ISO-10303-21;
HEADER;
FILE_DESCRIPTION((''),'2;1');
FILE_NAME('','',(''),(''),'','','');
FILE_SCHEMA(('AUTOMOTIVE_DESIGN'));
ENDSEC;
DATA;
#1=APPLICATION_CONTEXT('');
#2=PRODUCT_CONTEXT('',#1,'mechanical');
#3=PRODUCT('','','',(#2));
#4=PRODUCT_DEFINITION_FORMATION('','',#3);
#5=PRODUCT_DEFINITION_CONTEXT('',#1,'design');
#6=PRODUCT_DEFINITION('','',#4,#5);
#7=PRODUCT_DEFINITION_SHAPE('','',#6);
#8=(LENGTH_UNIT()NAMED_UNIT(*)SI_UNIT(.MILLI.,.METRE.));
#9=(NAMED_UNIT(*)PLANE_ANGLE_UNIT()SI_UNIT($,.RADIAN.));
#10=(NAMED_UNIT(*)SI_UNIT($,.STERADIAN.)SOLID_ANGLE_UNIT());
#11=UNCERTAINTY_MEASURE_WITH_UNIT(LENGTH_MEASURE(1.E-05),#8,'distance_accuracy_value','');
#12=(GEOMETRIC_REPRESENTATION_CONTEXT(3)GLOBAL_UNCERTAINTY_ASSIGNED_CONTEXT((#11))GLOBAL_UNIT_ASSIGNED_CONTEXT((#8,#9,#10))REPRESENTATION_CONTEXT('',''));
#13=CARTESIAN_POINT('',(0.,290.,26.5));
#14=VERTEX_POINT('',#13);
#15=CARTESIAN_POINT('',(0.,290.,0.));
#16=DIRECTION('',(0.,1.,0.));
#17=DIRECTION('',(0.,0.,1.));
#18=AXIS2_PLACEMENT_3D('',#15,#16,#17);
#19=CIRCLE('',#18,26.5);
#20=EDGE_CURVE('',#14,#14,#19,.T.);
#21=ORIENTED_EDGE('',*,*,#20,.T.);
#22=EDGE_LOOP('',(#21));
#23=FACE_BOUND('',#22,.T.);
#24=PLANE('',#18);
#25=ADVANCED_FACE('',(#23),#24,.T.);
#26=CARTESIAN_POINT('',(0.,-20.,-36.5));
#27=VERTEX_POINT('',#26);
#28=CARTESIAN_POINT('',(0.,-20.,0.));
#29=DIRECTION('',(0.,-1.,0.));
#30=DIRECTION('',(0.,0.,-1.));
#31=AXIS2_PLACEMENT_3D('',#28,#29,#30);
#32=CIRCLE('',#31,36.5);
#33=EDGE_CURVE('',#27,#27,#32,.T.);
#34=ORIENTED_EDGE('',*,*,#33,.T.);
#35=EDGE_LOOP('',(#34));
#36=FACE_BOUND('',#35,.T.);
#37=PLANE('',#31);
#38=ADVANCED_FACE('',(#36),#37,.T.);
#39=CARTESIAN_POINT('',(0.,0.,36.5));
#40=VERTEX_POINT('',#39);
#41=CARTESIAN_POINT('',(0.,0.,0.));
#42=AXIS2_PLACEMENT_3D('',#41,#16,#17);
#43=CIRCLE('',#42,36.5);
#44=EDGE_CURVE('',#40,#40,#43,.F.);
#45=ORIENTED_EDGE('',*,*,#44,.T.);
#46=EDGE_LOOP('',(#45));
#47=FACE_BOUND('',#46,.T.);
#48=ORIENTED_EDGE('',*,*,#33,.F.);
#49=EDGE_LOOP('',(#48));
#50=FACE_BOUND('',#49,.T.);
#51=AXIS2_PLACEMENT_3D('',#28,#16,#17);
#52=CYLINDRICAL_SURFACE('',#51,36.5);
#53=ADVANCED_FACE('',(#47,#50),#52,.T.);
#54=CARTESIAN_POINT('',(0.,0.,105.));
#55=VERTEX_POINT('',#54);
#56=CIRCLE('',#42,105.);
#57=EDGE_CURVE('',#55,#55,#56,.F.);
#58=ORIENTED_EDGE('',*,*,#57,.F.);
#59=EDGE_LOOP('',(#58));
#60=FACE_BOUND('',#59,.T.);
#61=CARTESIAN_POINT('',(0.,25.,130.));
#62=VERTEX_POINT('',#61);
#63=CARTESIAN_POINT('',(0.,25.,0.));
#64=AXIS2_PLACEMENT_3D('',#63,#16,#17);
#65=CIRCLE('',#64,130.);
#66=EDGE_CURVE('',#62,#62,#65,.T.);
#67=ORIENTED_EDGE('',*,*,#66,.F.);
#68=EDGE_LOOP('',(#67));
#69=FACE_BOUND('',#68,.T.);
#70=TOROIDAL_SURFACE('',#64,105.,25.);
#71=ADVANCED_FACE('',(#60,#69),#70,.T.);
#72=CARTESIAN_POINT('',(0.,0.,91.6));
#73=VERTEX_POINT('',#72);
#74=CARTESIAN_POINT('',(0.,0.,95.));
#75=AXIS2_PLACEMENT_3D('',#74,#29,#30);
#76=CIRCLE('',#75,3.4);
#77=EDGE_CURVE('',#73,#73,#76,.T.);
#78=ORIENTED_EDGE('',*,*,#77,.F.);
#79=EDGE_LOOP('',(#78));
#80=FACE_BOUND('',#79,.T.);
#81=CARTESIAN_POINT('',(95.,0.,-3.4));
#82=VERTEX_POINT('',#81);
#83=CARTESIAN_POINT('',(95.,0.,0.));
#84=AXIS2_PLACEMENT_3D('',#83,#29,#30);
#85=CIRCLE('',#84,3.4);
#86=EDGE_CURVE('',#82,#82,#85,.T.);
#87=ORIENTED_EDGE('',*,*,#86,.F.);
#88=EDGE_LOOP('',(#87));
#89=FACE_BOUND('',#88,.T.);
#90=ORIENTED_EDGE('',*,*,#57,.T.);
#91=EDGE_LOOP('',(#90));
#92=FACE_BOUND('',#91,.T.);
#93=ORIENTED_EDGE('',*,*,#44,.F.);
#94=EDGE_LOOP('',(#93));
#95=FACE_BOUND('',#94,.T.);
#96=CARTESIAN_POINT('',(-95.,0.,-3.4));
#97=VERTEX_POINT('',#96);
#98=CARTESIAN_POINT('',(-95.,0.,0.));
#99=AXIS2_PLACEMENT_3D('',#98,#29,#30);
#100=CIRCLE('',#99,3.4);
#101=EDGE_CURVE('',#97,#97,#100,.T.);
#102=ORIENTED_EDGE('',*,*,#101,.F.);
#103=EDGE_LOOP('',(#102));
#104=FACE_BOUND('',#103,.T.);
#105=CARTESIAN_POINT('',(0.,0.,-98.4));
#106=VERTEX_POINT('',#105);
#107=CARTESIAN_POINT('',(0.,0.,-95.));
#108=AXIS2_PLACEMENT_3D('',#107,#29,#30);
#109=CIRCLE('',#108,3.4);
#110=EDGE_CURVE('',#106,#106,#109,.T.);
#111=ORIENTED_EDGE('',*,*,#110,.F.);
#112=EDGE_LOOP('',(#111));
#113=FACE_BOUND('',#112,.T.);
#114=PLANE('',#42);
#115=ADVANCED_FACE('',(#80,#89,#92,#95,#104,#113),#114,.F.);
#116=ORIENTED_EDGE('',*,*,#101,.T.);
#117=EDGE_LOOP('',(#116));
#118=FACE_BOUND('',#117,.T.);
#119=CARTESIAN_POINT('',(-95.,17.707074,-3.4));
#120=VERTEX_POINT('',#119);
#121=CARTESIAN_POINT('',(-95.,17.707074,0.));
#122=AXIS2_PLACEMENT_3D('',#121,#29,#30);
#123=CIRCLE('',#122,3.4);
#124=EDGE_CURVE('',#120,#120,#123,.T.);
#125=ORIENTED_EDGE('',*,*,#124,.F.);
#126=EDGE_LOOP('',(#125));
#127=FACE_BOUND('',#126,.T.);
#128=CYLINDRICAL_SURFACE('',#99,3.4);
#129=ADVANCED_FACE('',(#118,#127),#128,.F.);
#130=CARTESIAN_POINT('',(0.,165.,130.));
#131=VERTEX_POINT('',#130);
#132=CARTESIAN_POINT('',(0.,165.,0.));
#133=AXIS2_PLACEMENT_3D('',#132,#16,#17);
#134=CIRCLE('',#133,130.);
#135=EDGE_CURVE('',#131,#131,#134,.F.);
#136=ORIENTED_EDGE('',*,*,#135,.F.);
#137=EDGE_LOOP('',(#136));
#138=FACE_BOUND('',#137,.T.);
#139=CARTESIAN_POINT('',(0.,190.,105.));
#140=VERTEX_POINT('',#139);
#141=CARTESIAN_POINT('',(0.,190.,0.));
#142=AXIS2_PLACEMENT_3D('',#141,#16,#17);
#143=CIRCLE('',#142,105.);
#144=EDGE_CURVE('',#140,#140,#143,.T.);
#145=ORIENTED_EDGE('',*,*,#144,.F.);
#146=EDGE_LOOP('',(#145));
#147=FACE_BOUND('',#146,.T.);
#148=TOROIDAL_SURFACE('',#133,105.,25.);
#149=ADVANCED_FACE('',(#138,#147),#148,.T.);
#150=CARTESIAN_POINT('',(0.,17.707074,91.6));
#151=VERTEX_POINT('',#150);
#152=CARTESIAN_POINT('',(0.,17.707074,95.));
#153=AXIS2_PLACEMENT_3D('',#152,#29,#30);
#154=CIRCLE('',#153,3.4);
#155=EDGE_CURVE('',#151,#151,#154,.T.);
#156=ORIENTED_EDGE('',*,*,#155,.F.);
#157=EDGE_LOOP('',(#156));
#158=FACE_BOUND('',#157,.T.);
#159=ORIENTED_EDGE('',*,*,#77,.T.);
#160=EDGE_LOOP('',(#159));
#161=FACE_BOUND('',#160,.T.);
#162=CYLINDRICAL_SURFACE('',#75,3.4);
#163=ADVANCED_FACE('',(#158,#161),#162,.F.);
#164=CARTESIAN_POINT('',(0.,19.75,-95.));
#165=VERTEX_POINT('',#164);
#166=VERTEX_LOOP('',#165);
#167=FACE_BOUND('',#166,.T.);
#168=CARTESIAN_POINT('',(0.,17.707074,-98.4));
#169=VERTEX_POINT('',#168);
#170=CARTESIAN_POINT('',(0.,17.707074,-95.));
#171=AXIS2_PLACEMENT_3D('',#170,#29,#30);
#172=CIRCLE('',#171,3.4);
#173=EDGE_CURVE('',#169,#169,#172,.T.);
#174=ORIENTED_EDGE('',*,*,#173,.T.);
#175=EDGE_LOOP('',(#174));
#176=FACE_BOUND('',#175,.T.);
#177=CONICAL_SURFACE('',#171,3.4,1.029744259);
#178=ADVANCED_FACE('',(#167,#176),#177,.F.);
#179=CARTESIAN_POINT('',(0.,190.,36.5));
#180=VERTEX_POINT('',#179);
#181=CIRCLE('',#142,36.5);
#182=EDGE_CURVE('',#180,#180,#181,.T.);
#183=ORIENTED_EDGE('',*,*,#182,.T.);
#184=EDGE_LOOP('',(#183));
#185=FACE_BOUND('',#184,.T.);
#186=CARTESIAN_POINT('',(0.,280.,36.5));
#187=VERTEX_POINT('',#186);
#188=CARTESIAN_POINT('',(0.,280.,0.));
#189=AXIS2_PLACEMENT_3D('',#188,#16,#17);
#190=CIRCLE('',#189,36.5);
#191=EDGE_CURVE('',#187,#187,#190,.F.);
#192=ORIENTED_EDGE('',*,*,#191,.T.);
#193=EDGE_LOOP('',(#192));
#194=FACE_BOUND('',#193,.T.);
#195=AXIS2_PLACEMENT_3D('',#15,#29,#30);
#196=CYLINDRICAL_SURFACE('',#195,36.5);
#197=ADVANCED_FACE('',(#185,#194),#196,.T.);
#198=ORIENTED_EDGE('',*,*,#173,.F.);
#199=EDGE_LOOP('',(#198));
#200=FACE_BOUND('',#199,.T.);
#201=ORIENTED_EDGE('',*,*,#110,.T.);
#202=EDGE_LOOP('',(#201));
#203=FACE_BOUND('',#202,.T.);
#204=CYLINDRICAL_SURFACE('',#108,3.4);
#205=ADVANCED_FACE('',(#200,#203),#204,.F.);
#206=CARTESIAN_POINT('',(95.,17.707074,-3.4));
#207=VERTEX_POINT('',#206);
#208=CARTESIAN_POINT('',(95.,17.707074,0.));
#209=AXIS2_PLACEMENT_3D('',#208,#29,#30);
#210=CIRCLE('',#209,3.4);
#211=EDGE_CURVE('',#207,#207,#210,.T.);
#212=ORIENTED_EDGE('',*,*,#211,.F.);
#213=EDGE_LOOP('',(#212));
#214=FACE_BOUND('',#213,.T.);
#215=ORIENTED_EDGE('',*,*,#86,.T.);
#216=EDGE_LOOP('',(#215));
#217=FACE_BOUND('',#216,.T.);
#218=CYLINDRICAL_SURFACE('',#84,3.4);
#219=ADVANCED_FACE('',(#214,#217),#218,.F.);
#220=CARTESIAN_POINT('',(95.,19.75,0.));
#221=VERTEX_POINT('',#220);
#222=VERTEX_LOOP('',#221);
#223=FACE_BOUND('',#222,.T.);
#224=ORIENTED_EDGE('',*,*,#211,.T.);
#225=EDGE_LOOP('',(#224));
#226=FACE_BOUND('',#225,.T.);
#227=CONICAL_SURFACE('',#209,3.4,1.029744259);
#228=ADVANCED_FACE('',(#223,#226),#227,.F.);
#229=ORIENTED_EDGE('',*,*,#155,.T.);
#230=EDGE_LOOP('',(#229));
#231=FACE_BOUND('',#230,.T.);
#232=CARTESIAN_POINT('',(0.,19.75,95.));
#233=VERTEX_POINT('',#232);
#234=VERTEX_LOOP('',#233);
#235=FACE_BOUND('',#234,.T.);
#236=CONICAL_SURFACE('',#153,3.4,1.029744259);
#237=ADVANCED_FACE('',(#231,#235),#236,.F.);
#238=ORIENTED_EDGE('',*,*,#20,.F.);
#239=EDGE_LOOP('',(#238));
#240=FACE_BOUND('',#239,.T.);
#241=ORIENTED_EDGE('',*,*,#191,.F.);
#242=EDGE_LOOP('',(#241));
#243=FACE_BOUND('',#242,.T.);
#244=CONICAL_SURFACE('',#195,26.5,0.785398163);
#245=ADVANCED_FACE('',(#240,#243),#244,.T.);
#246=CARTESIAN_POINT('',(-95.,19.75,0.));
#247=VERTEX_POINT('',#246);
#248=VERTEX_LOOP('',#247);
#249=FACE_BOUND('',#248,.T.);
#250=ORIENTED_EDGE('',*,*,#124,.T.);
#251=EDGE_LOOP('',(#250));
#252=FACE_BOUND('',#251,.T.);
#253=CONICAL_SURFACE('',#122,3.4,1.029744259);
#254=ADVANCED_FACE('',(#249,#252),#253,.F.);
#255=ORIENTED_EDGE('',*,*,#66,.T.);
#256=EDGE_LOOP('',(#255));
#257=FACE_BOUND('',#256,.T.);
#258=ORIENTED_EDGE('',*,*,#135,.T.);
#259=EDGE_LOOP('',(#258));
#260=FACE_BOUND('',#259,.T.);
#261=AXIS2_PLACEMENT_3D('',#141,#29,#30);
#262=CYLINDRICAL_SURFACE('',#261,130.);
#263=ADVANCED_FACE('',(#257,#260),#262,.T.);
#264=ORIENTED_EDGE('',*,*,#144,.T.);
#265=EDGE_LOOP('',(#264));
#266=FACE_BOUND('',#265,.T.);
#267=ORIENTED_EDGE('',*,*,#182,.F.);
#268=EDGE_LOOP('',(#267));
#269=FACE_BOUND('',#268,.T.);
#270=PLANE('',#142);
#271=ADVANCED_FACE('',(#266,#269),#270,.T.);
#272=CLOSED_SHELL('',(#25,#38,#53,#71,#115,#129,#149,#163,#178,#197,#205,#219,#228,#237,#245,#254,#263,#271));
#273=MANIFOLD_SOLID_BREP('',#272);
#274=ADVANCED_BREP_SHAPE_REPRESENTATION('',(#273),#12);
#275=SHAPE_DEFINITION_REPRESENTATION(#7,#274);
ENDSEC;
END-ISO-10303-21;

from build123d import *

# Parameters (mm, degrees)
SKETCH1_R             = 130
BOSS_EXTRUDE1_DEPTH   = 190
FILLET1_R             = 25
SKETCH2_R             = 36.5
BOSS_EXTRUDE2_DEPTH   = 20
M8_TAPPED_HOLE2_D     = 6.8
M8_TAPPED_HOLE2_DEPTH = 17.707073895
M8_TAPPED_HOLE2_TIP   = 2.042926105
SKETCH8_R             = 36.5
BOSS_EXTRUDE3_DEPTH   = 100
CHAMFER1_SIZE         = 10


with BuildPart() as part:
    # Sketch1 → Boss-Extrude1 (new body)
    with BuildSketch(Plane(origin=(0, 0, 0), x_dir=(1, 0, 0), z_dir=(0, 1, 0))):
        Circle(SKETCH1_R)
    extrude(amount=BOSS_EXTRUDE1_DEPTH)

    # Fillet1
    fillet1_edges = [part.edges().sort_by_distance(p)[0] for p in [
        (-130, 0, 0),
        (-130, 190, 0),
    ]]
    fillet(fillet1_edges, radius=FILLET1_R)

    # Sketch2 → Boss-Extrude2 (add)
    with BuildSketch(Plane.XZ):
        Circle(SKETCH2_R)
    extrude(amount=BOSS_EXTRUDE2_DEPTH)

    # M8 Tapped Hole2
    with Locations(Plane(origin=(0, 0, 0), x_dir=(-1, 0, 0), z_dir=(0, -1, 0))):
        with Locations((0, -95), (-95, 0), (0, 95), (95, 0)):
            Hole(M8_TAPPED_HOLE2_D / 2, depth=M8_TAPPED_HOLE2_DEPTH)
            with Locations((0, 0, -(M8_TAPPED_HOLE2_DEPTH + M8_TAPPED_HOLE2_TIP / 2))):  # 118° drill point
                Cone(0, M8_TAPPED_HOLE2_D / 2, M8_TAPPED_HOLE2_TIP, mode=Mode.SUBTRACT)

    # Sketch8 → Boss-Extrude3 (add)
    with BuildSketch(Plane(origin=(0, 190, 0), x_dir=(1, 0, 0), z_dir=(0, 1, 0))):
        Circle(SKETCH8_R)
    extrude(amount=BOSS_EXTRUDE3_DEPTH)

    # Chamfer1
    chamfer1_edges = [part.edges().sort_by_distance(p)[0] for p in [
        (-36.5, 290, 0),
    ]]
    chamfer(chamfer1_edges, length=CHAMFER1_SIZE)


solid = part.part
